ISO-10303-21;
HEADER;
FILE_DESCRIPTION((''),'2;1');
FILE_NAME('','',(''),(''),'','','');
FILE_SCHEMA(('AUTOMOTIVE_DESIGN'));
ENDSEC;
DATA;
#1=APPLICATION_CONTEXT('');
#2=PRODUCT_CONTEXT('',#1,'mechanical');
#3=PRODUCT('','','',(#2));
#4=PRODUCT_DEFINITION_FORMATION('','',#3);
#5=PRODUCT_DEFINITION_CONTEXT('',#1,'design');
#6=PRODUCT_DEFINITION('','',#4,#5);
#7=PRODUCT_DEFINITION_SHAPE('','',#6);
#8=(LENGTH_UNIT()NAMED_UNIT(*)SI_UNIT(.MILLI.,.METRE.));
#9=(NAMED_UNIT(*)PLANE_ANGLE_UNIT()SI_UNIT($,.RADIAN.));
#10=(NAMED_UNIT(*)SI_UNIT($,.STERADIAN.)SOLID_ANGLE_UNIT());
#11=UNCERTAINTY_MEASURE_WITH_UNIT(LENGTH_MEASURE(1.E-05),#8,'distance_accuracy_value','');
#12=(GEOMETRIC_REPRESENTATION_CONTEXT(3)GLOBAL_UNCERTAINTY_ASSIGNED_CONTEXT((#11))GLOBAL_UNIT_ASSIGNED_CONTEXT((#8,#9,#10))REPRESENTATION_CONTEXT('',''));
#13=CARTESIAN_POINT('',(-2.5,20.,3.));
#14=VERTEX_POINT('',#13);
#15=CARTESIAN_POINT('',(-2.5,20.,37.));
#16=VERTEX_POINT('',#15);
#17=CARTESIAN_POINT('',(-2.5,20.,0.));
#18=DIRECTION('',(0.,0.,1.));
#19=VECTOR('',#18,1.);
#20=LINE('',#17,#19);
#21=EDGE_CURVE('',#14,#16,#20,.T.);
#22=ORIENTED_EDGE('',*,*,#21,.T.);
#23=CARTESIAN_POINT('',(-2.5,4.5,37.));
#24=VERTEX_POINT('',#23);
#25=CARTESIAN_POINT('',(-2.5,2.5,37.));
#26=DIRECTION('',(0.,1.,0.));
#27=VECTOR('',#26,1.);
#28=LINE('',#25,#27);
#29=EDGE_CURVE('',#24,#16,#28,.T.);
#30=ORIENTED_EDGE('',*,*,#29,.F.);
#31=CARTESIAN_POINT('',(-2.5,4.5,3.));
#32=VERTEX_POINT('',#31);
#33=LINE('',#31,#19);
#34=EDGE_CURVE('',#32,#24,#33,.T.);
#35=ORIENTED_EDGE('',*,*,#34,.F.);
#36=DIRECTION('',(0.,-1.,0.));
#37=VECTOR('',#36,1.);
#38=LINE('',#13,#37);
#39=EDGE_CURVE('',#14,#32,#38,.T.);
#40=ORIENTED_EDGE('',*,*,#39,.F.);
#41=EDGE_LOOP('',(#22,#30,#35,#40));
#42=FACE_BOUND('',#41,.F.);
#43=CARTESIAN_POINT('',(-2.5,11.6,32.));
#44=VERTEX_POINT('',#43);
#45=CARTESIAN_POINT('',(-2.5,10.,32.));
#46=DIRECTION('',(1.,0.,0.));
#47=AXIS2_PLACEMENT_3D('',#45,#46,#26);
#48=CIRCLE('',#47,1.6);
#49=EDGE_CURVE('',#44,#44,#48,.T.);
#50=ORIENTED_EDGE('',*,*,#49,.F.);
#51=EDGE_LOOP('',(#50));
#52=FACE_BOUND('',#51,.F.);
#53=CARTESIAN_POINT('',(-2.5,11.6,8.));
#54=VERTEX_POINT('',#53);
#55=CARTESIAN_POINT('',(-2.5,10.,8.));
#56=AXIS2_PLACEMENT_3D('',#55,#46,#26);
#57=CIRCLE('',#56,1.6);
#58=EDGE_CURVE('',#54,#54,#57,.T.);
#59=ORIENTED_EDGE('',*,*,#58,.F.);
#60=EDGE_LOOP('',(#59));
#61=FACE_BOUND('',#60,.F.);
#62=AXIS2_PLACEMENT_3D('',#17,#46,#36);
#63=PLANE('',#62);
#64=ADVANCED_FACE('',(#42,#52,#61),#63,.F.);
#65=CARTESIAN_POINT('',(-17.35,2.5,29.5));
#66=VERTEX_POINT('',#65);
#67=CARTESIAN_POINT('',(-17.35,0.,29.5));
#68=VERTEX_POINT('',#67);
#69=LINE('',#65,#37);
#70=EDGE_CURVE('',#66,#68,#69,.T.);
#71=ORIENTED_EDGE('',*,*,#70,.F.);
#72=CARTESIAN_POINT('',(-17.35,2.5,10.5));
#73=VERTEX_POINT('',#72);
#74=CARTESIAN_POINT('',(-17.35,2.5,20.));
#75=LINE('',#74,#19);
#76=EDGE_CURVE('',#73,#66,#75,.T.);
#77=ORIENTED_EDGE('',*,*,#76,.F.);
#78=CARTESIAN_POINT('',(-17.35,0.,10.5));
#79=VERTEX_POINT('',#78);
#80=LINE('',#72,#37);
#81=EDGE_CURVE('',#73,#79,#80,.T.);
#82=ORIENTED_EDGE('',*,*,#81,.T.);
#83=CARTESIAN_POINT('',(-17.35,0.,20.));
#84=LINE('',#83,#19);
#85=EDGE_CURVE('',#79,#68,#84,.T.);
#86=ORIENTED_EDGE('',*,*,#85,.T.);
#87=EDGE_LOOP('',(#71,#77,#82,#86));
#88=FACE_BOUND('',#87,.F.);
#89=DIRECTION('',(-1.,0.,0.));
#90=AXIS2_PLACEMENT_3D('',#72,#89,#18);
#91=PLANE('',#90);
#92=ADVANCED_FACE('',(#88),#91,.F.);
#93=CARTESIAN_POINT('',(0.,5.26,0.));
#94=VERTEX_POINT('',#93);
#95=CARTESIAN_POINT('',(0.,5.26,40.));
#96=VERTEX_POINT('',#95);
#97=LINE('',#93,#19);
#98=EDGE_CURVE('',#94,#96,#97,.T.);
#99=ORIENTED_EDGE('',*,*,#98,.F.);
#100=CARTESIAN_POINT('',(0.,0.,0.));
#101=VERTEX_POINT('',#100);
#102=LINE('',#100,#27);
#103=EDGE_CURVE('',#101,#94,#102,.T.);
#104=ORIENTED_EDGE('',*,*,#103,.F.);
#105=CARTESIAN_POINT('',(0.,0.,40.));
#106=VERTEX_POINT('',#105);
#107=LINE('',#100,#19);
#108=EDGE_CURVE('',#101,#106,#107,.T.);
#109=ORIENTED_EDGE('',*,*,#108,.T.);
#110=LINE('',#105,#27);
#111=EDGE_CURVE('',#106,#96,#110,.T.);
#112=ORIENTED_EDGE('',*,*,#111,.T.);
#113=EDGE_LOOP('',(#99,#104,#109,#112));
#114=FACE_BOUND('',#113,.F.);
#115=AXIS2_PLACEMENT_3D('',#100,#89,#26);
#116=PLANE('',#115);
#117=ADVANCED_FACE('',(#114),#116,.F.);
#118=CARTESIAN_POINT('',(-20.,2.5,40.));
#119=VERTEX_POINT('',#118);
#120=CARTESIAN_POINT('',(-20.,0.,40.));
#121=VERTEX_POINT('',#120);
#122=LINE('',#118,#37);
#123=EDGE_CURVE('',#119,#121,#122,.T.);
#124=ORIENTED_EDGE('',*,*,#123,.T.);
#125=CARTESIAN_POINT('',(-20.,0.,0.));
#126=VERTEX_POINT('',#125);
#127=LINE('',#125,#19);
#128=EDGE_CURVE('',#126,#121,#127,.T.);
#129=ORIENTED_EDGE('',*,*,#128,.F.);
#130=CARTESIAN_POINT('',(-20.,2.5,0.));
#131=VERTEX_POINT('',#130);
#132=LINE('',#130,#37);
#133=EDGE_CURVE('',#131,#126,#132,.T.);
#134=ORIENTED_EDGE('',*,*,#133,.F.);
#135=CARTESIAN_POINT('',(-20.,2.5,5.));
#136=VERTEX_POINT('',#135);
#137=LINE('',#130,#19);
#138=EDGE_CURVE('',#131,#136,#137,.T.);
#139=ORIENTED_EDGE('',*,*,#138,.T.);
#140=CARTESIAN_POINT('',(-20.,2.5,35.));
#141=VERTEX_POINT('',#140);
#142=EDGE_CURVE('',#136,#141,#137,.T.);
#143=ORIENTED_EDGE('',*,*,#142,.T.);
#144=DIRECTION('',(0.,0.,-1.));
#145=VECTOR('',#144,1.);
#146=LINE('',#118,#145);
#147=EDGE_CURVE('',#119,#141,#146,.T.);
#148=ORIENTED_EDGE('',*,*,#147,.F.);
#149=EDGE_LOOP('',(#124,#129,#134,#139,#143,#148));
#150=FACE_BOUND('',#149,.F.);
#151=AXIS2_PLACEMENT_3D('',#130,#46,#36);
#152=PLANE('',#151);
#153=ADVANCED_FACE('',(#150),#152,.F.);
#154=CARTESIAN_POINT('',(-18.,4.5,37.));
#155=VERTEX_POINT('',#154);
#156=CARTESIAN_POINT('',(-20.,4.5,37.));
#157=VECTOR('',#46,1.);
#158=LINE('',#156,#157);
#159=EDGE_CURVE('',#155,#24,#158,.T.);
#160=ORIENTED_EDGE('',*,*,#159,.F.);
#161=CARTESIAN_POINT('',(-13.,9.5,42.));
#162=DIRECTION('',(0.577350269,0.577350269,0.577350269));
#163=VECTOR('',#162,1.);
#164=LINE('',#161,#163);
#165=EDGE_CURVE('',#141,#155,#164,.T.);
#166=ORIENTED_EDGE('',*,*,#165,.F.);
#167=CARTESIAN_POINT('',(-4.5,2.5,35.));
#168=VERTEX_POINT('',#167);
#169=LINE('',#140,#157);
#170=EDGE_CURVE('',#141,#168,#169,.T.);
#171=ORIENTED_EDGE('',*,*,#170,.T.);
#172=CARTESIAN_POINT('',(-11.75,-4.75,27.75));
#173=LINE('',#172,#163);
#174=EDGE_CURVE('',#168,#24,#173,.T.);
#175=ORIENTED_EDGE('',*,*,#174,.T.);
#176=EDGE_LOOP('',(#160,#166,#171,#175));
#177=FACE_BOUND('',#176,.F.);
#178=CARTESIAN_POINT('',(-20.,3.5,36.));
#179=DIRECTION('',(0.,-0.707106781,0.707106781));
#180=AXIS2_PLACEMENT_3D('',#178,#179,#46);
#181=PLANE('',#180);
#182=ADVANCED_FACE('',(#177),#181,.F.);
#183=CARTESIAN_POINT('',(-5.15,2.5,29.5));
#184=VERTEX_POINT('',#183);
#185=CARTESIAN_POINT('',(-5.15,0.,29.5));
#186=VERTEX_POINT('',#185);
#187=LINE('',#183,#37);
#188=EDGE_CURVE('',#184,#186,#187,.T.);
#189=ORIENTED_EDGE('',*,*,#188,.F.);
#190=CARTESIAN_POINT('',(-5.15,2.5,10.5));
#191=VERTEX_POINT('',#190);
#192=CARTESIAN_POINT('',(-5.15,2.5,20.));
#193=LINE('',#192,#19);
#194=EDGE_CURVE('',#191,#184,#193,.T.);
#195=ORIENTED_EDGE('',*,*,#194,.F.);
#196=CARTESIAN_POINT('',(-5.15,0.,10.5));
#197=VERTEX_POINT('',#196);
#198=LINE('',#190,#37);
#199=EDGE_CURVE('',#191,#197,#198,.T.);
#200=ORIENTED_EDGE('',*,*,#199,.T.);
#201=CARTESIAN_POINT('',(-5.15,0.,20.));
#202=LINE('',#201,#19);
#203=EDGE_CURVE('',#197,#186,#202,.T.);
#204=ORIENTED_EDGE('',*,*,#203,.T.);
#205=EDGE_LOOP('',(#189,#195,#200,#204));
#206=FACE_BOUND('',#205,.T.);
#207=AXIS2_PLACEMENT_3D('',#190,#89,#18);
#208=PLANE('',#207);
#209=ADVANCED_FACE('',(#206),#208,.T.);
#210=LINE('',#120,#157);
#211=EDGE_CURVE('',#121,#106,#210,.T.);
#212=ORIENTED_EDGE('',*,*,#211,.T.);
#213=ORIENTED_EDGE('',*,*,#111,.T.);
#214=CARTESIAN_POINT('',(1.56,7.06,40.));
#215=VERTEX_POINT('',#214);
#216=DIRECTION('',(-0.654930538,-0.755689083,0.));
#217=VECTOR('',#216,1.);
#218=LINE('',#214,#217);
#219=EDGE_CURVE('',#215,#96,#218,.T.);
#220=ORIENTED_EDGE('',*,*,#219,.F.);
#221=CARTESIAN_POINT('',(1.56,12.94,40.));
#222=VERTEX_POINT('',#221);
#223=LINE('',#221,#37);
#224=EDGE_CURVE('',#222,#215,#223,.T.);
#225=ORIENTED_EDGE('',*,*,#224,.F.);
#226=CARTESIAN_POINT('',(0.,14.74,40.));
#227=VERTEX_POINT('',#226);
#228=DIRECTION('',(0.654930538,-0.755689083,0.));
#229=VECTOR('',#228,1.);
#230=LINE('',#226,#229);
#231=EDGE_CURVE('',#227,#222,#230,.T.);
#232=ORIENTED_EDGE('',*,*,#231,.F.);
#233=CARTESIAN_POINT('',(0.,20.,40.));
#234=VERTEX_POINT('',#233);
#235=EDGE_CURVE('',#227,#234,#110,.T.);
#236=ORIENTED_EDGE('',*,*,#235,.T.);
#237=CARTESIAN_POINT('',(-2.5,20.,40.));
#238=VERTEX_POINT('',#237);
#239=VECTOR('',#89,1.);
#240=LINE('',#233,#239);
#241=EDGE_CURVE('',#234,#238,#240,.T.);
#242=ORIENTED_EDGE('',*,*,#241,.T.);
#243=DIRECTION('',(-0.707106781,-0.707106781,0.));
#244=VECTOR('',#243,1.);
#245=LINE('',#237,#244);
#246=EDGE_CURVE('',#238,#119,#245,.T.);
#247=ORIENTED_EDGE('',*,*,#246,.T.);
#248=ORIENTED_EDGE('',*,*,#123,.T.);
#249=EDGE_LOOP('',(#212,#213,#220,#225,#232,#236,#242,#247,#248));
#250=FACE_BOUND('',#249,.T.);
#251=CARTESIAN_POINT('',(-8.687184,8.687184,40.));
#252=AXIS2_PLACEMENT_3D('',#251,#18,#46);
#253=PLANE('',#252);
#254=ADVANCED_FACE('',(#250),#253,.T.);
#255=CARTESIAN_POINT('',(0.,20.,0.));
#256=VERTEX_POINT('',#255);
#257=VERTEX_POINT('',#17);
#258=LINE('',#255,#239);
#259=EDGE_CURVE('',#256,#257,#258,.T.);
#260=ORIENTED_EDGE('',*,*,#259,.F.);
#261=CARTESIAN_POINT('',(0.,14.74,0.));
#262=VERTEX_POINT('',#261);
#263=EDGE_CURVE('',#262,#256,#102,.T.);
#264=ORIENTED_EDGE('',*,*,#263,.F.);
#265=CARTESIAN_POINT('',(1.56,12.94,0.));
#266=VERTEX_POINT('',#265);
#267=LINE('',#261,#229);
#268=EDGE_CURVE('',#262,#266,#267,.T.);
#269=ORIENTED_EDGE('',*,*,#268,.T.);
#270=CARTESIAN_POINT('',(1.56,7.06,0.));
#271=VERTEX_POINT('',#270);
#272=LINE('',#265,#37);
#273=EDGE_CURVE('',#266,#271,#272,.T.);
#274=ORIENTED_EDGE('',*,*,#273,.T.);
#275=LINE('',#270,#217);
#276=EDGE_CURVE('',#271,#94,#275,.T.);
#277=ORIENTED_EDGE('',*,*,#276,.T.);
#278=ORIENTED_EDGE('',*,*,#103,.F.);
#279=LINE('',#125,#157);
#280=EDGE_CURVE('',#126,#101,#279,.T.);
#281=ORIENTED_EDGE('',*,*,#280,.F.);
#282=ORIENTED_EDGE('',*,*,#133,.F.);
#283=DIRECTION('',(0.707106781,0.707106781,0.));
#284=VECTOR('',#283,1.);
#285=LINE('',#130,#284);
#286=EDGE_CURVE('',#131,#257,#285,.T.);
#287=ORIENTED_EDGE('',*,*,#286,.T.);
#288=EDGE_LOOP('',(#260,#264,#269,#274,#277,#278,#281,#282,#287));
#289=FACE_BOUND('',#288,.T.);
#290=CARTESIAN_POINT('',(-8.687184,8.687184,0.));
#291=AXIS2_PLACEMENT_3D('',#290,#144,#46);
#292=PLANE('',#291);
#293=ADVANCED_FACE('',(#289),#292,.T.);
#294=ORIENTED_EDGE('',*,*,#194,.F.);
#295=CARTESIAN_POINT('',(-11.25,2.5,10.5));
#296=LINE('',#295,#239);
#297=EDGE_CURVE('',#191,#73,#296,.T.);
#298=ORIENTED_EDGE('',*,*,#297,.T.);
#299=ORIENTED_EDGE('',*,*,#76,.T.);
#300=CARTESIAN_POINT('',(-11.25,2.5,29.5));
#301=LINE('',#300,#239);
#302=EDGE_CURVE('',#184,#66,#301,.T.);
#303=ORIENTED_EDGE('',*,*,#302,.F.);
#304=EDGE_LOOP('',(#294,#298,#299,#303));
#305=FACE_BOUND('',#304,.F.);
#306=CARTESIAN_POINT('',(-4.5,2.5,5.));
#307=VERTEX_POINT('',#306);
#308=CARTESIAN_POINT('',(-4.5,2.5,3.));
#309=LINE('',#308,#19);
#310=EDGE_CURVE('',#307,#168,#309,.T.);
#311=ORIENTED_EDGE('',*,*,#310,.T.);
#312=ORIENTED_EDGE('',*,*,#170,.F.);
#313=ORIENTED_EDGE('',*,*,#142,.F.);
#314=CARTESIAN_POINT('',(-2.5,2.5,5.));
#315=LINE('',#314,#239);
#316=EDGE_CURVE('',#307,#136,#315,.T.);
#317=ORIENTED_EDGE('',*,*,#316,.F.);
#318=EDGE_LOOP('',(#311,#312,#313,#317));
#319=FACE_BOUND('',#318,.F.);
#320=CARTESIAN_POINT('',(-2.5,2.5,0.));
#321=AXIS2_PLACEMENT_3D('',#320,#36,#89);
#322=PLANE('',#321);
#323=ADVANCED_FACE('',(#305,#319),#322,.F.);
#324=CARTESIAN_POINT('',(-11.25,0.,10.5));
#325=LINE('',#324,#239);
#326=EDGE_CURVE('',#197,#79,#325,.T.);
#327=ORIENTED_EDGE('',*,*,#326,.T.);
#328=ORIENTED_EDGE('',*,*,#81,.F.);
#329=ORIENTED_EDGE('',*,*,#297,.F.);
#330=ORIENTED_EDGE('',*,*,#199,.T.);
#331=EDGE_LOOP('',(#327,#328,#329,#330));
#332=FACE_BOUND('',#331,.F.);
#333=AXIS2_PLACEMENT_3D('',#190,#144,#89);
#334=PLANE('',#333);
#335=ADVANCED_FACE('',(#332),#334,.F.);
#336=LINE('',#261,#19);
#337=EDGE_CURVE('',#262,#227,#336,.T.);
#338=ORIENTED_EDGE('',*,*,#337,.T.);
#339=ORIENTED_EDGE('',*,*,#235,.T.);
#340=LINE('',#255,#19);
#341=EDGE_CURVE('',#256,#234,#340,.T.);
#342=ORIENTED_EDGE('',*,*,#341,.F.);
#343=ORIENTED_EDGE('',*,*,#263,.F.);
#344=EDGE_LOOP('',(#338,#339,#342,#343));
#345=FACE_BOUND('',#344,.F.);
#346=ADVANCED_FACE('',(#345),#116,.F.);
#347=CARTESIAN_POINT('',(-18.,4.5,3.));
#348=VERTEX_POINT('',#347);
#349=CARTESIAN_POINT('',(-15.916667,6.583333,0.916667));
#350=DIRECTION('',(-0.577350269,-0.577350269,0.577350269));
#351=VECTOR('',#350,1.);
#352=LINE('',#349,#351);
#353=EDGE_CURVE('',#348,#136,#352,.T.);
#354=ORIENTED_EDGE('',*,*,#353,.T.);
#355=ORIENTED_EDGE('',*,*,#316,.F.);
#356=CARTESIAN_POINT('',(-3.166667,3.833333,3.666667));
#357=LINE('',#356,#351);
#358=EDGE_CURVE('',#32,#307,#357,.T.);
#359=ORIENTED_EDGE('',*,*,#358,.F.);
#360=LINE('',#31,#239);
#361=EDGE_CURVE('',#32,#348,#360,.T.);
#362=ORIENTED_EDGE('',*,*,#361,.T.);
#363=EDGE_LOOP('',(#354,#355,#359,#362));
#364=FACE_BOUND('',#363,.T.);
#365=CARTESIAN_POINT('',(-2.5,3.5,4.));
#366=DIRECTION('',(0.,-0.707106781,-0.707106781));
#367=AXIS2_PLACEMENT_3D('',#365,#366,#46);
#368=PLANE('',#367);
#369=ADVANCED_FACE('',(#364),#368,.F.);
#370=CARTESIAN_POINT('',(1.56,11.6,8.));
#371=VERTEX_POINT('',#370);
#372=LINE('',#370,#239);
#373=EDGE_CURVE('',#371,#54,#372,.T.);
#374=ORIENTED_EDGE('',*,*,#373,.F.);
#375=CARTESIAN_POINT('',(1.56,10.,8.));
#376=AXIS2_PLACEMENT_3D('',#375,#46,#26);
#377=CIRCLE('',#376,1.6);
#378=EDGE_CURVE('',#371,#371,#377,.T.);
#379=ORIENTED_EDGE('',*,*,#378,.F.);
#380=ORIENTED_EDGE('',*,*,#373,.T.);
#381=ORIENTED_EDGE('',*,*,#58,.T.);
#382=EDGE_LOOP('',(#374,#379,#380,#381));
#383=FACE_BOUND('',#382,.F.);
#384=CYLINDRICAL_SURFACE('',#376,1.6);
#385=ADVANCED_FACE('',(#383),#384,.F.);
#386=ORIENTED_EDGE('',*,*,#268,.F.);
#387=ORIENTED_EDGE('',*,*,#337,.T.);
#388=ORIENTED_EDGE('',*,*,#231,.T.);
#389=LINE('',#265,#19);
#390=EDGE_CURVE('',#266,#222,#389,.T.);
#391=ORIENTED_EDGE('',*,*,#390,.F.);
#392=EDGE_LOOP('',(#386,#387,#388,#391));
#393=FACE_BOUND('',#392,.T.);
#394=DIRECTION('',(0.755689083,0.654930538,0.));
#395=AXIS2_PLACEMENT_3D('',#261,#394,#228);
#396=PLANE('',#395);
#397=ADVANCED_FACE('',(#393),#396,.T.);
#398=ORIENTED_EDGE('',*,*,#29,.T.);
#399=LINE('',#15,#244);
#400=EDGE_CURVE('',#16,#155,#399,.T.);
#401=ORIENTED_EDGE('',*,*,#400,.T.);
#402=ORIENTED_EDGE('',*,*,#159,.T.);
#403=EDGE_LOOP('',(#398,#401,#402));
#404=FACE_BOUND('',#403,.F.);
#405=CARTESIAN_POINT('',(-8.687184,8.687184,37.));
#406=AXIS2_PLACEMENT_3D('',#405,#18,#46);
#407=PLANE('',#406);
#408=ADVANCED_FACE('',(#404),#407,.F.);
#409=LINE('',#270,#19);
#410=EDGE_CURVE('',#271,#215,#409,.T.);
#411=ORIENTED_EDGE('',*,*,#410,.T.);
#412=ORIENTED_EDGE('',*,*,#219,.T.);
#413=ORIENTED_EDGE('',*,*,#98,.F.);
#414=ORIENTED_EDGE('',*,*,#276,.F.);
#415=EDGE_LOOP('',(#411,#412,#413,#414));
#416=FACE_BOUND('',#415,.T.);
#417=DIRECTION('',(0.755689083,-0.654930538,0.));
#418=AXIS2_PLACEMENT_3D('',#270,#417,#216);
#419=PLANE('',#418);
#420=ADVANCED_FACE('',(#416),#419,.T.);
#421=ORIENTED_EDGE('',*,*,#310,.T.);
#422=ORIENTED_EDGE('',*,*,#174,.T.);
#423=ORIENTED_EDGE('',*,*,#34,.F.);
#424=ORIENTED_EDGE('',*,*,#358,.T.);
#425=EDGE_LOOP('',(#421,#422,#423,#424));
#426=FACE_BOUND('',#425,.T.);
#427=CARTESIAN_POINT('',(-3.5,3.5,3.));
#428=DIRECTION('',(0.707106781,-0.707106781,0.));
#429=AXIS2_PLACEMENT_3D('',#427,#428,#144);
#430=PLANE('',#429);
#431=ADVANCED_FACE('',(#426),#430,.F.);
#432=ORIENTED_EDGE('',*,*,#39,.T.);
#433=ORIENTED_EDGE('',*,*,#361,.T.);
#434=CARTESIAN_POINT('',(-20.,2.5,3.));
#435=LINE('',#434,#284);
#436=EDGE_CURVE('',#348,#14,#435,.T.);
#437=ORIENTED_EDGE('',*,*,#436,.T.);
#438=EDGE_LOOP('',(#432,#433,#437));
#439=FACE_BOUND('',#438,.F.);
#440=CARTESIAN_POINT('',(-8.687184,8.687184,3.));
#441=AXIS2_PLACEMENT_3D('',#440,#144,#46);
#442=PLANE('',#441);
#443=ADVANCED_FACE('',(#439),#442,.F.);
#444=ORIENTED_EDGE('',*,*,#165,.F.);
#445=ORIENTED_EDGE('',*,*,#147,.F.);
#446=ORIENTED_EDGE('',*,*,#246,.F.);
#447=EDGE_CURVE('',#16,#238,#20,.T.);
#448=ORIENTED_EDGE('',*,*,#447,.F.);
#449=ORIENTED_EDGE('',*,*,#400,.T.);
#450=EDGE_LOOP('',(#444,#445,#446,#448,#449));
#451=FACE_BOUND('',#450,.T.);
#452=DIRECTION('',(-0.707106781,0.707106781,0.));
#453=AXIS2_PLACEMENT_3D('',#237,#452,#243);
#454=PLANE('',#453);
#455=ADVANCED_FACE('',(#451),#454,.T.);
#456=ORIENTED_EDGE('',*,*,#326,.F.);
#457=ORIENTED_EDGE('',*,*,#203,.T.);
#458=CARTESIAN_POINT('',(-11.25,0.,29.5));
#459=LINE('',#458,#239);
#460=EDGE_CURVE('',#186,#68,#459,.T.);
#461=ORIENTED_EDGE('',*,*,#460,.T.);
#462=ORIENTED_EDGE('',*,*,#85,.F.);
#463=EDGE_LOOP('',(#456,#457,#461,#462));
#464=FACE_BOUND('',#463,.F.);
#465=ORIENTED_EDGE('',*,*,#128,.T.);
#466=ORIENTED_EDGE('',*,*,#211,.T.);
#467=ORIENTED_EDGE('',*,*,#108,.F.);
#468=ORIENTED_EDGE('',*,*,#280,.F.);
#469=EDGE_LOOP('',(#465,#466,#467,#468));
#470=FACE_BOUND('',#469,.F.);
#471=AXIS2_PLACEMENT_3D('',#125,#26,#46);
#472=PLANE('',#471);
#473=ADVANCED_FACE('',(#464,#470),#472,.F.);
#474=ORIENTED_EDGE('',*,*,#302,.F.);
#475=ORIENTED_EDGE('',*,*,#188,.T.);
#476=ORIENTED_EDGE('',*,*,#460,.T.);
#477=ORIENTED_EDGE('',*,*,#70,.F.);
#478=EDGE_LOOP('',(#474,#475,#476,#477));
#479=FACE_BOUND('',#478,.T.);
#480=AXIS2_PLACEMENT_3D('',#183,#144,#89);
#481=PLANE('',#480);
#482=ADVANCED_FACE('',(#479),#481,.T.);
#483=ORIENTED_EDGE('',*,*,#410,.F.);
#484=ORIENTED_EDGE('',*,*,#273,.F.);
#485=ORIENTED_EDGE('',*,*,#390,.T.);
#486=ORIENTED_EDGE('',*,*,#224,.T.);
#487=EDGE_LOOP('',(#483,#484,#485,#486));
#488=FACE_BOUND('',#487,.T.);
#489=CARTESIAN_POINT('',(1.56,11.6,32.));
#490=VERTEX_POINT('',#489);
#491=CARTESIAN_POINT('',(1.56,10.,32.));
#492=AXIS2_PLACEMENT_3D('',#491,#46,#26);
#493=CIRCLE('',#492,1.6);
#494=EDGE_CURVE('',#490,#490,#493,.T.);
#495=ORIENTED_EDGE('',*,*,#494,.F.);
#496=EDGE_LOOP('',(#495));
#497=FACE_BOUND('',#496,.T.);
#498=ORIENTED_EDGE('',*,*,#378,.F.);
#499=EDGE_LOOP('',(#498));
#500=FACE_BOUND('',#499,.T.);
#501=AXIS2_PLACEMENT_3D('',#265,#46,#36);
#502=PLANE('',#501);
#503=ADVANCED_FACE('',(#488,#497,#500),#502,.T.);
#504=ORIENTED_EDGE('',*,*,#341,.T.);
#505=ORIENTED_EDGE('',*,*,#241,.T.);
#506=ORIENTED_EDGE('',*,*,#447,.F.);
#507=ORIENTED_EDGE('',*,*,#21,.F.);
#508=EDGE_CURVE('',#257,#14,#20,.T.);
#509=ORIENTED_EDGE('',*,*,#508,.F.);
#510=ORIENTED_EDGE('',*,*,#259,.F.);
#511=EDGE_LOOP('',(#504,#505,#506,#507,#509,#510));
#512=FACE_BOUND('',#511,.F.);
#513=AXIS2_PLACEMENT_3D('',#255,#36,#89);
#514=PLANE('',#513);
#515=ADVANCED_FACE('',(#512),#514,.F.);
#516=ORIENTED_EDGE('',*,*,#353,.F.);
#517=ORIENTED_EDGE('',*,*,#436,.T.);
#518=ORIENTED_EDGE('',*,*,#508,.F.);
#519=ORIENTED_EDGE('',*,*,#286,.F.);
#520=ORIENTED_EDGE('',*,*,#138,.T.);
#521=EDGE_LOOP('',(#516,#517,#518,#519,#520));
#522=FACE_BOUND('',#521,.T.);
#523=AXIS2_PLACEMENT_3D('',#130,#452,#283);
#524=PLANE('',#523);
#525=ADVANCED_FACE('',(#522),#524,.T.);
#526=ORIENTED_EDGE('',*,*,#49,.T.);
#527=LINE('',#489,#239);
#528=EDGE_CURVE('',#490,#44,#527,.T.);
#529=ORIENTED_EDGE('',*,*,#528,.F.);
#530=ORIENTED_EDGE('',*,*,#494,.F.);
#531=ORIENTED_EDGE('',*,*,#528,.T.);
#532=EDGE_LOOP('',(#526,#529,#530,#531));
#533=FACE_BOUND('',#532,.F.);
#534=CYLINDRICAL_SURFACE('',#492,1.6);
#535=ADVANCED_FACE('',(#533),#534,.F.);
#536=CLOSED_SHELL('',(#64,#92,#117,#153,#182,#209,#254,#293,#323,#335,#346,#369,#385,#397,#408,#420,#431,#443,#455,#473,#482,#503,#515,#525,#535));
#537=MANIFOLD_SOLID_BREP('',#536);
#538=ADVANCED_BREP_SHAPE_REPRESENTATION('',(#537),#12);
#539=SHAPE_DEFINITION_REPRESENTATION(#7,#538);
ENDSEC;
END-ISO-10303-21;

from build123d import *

# Parameters (mm, degrees)
PAD_DEPTH       = 40
PAD001_DEPTH    = 3
PAD002_DEPTH    = 3
PAD003_DEPTH    = 40
SKETCH004_W     = 12.2
SKETCH004_H     = 19
POCKET_DEPTH    = 2.5
SKETCH005_R     = 1.6
POCKET001_DEPTH = 4.06
CHAMFER_SIZE    = 2


with BuildPart() as part:
    # Sketch → Pad (new body)
    with BuildSketch(Plane.XY):
        Polygon((0, 0), (0, 20), (-2.5, 20), (-2.5, 2.5), (-20, 2.5), (-20, 0), align=None)
    extrude(amount=PAD_DEPTH)

    # Sketch001 (on Face8 of Pad) → Pad001 (join)
    with BuildSketch(Plane.XY.offset(40)):
        Polygon((-2.5, 20), (-20, 2.5), (-2.5, 2.5), align=None)
    extrude(amount=-PAD001_DEPTH)

    # Sketch002 (on Face4 of Pad001) → Pad002 (join)
    with BuildSketch(Plane(origin=(0, 0, 0), x_dir=(1, 0, 0), z_dir=(0, 0, -1))):
        Polygon((-20, -2.5), (-2.5, -20), (-2.5, -2.5), align=None)
    extrude(amount=-PAD002_DEPTH)

    # Sketch003 (on Face4 of Pad002) → Pad003 (join)
    with BuildSketch(Plane(origin=(0, 0, 0), x_dir=(1, 0, 0), z_dir=(0, 0, -1))):
        Polygon((0, -5.26), (0, -14.74), (1.56, -12.94), (1.56, -7.06), align=None)
    extrude(amount=-PAD003_DEPTH)

    # Sketch004 (on Face18 of Pad003) → Pocket (cut)
    with BuildSketch(Plane(origin=(0, 2.5, 0), x_dir=(-1, 0, 0), z_dir=(0, 1, 0))):
        with Locations((11.25, 20)):
            Rectangle(SKETCH004_W, SKETCH004_H)
    extrude(amount=-POCKET_DEPTH, mode=Mode.SUBTRACT)

    # Sketch005 (on Face12 of Pocket) → Pocket001 (cut)
    with BuildSketch(Plane.YZ.offset(1.56)):
        with Locations((10, 32)):
            Circle(SKETCH005_R)
        with Locations((10, 8)):
            Circle(SKETCH005_R)
    extrude(amount=-POCKET001_DEPTH, mode=Mode.SUBTRACT)

    # Chamfer
    chamfer_edges = [part.edges().sort_by_distance(p)[0] for p in [
        (-11.25, 2.5, 3),
        (-2.5, 2.5, 20),
        (-11.25, 2.5, 37),
    ]]
    chamfer(chamfer_edges, length=CHAMFER_SIZE)


solid = part.part
